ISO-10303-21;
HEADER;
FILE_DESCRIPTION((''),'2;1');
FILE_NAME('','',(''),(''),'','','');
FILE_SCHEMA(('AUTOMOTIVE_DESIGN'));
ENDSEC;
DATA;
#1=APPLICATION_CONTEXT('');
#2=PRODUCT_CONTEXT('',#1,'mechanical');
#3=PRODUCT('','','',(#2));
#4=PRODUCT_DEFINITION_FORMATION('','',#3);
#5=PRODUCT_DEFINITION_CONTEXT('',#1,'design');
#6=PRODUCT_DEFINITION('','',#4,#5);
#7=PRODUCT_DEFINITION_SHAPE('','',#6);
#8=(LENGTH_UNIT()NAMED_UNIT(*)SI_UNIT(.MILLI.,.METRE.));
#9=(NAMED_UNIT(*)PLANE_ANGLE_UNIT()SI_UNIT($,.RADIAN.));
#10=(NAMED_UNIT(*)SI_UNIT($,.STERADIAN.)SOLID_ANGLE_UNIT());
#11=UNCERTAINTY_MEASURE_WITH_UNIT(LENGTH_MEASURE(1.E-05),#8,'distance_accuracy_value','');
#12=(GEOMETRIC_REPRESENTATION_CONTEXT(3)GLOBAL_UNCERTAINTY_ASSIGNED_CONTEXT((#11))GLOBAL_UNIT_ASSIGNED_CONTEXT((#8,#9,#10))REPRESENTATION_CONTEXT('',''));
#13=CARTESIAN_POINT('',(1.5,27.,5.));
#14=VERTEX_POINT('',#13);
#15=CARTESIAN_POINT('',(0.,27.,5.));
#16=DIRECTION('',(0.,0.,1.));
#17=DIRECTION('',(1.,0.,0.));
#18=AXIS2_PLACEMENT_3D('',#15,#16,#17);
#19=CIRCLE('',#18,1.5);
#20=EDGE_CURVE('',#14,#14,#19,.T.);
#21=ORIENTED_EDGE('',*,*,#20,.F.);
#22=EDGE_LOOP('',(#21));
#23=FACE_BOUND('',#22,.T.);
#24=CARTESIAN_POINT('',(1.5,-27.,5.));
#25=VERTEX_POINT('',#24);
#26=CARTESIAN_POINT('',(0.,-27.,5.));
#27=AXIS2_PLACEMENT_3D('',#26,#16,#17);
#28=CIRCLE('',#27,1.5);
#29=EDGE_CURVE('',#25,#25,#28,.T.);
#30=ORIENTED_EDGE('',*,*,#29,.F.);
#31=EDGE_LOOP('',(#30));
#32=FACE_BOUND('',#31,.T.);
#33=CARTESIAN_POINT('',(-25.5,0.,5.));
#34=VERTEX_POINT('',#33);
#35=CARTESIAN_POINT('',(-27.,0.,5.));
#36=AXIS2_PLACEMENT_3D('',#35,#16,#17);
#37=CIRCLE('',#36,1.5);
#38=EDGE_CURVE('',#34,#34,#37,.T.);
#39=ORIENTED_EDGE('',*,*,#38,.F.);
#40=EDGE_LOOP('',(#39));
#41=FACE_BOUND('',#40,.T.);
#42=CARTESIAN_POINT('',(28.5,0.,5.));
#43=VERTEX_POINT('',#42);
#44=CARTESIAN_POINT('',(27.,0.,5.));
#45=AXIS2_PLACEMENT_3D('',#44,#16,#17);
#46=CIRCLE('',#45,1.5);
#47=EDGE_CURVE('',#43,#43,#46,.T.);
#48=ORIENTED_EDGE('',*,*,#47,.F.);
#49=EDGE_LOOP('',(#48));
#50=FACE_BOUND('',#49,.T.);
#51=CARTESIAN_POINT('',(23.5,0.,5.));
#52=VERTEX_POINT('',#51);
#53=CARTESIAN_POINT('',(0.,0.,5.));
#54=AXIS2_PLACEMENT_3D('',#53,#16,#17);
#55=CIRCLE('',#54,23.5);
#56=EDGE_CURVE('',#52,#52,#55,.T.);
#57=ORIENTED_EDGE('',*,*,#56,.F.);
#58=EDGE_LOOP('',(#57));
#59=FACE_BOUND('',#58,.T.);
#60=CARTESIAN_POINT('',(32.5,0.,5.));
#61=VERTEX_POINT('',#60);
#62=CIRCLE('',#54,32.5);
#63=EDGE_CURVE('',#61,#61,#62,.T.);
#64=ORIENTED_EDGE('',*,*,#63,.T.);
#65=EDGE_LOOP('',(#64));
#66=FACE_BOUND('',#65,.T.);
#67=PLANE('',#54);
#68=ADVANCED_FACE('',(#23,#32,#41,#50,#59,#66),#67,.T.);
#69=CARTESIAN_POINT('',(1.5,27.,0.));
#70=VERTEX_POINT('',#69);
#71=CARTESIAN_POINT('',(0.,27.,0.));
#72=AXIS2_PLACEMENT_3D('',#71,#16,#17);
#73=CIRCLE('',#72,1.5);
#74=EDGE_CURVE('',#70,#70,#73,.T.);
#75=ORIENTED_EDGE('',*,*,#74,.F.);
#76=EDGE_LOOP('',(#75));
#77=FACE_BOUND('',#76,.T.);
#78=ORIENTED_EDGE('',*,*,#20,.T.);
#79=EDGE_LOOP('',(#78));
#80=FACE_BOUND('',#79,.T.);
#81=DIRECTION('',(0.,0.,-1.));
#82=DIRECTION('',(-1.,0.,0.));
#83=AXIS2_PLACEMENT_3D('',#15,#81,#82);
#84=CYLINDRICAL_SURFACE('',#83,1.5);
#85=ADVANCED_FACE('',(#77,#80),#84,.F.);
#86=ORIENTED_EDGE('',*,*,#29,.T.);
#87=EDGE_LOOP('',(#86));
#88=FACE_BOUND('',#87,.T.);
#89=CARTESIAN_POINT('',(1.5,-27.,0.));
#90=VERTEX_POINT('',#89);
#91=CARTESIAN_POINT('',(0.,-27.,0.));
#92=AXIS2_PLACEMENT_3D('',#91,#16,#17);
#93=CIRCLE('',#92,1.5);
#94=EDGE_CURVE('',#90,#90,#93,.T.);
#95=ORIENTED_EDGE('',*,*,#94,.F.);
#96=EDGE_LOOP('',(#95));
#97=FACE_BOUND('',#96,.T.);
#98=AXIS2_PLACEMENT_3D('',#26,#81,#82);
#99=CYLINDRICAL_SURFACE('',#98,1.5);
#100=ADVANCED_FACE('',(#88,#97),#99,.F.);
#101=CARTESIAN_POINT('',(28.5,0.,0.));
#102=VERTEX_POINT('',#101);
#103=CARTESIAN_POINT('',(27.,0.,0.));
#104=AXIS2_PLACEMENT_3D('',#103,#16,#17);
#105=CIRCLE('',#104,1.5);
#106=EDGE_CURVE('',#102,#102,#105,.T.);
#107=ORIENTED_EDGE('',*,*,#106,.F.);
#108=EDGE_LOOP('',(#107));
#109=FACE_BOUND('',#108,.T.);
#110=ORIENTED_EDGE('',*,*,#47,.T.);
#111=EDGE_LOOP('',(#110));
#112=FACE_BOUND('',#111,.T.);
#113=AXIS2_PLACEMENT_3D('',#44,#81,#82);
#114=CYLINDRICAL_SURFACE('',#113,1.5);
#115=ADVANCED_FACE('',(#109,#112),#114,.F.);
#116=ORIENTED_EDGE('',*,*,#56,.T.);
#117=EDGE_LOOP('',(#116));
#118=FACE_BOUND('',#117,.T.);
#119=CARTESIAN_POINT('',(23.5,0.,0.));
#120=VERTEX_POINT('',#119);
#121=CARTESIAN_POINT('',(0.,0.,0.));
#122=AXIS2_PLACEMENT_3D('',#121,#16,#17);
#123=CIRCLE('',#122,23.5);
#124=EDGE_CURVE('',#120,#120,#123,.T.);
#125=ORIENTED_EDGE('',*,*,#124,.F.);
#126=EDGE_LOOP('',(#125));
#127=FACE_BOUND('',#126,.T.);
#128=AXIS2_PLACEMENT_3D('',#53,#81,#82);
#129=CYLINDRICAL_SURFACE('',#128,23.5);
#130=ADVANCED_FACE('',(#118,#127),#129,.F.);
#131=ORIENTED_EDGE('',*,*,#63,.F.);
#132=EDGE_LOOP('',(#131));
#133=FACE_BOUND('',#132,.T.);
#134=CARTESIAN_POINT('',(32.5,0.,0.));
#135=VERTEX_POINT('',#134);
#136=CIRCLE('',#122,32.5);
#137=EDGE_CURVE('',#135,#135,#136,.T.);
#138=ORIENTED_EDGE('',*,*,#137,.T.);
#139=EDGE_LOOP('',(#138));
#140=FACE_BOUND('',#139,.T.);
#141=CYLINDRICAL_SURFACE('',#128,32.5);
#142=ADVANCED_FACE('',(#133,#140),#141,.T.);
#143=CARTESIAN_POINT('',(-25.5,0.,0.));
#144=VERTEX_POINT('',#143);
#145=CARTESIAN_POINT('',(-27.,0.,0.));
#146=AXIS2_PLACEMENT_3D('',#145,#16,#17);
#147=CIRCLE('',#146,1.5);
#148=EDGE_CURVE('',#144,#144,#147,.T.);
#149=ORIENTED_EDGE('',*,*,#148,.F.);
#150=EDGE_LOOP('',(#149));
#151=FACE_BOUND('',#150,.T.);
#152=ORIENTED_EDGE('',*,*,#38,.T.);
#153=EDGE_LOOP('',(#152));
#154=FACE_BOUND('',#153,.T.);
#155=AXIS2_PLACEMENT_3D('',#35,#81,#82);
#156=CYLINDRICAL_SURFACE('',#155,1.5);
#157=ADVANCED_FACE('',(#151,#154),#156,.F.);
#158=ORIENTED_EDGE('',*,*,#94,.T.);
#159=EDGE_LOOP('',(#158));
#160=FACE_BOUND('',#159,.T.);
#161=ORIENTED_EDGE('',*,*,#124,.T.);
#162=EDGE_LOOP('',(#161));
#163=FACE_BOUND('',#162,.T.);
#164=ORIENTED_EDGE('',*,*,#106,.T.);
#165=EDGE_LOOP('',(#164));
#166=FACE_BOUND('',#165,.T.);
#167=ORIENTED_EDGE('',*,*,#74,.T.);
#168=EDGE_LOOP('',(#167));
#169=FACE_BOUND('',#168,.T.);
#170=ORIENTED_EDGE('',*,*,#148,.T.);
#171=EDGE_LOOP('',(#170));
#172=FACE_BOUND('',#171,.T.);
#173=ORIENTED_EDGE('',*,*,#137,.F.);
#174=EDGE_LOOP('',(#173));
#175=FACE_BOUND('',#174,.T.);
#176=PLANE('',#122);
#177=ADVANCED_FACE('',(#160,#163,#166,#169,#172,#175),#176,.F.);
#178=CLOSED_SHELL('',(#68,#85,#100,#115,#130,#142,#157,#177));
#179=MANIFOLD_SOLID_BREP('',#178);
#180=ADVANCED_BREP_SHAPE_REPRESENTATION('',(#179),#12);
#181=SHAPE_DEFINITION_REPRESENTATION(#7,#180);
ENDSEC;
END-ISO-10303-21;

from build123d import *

# Parameters (mm, degrees)
SKETCH1_R           = 32.5
SKETCH1_R_2         = 23.5
SKETCH1_R_3         = 1.5
BOSS_EXTRUDE1_DEPTH = 5


with BuildPart() as part:
    # Sketch1 → Boss-Extrude1 (new body)
    with BuildSketch(Plane.XY):
        Circle(SKETCH1_R)
        Circle(SKETCH1_R_2, mode=Mode.SUBTRACT)
        with Locations((-27, 0)):
            Circle(SKETCH1_R_3, mode=Mode.SUBTRACT)
        with Locations((27, 0)):
            Circle(SKETCH1_R_3, mode=Mode.SUBTRACT)
        with Locations((0, 27)):
            Circle(SKETCH1_R_3, mode=Mode.SUBTRACT)
        with Locations((0, -27)):
            Circle(SKETCH1_R_3, mode=Mode.SUBTRACT)
    extrude(amount=BOSS_EXTRUDE1_DEPTH)


solid = part.part
